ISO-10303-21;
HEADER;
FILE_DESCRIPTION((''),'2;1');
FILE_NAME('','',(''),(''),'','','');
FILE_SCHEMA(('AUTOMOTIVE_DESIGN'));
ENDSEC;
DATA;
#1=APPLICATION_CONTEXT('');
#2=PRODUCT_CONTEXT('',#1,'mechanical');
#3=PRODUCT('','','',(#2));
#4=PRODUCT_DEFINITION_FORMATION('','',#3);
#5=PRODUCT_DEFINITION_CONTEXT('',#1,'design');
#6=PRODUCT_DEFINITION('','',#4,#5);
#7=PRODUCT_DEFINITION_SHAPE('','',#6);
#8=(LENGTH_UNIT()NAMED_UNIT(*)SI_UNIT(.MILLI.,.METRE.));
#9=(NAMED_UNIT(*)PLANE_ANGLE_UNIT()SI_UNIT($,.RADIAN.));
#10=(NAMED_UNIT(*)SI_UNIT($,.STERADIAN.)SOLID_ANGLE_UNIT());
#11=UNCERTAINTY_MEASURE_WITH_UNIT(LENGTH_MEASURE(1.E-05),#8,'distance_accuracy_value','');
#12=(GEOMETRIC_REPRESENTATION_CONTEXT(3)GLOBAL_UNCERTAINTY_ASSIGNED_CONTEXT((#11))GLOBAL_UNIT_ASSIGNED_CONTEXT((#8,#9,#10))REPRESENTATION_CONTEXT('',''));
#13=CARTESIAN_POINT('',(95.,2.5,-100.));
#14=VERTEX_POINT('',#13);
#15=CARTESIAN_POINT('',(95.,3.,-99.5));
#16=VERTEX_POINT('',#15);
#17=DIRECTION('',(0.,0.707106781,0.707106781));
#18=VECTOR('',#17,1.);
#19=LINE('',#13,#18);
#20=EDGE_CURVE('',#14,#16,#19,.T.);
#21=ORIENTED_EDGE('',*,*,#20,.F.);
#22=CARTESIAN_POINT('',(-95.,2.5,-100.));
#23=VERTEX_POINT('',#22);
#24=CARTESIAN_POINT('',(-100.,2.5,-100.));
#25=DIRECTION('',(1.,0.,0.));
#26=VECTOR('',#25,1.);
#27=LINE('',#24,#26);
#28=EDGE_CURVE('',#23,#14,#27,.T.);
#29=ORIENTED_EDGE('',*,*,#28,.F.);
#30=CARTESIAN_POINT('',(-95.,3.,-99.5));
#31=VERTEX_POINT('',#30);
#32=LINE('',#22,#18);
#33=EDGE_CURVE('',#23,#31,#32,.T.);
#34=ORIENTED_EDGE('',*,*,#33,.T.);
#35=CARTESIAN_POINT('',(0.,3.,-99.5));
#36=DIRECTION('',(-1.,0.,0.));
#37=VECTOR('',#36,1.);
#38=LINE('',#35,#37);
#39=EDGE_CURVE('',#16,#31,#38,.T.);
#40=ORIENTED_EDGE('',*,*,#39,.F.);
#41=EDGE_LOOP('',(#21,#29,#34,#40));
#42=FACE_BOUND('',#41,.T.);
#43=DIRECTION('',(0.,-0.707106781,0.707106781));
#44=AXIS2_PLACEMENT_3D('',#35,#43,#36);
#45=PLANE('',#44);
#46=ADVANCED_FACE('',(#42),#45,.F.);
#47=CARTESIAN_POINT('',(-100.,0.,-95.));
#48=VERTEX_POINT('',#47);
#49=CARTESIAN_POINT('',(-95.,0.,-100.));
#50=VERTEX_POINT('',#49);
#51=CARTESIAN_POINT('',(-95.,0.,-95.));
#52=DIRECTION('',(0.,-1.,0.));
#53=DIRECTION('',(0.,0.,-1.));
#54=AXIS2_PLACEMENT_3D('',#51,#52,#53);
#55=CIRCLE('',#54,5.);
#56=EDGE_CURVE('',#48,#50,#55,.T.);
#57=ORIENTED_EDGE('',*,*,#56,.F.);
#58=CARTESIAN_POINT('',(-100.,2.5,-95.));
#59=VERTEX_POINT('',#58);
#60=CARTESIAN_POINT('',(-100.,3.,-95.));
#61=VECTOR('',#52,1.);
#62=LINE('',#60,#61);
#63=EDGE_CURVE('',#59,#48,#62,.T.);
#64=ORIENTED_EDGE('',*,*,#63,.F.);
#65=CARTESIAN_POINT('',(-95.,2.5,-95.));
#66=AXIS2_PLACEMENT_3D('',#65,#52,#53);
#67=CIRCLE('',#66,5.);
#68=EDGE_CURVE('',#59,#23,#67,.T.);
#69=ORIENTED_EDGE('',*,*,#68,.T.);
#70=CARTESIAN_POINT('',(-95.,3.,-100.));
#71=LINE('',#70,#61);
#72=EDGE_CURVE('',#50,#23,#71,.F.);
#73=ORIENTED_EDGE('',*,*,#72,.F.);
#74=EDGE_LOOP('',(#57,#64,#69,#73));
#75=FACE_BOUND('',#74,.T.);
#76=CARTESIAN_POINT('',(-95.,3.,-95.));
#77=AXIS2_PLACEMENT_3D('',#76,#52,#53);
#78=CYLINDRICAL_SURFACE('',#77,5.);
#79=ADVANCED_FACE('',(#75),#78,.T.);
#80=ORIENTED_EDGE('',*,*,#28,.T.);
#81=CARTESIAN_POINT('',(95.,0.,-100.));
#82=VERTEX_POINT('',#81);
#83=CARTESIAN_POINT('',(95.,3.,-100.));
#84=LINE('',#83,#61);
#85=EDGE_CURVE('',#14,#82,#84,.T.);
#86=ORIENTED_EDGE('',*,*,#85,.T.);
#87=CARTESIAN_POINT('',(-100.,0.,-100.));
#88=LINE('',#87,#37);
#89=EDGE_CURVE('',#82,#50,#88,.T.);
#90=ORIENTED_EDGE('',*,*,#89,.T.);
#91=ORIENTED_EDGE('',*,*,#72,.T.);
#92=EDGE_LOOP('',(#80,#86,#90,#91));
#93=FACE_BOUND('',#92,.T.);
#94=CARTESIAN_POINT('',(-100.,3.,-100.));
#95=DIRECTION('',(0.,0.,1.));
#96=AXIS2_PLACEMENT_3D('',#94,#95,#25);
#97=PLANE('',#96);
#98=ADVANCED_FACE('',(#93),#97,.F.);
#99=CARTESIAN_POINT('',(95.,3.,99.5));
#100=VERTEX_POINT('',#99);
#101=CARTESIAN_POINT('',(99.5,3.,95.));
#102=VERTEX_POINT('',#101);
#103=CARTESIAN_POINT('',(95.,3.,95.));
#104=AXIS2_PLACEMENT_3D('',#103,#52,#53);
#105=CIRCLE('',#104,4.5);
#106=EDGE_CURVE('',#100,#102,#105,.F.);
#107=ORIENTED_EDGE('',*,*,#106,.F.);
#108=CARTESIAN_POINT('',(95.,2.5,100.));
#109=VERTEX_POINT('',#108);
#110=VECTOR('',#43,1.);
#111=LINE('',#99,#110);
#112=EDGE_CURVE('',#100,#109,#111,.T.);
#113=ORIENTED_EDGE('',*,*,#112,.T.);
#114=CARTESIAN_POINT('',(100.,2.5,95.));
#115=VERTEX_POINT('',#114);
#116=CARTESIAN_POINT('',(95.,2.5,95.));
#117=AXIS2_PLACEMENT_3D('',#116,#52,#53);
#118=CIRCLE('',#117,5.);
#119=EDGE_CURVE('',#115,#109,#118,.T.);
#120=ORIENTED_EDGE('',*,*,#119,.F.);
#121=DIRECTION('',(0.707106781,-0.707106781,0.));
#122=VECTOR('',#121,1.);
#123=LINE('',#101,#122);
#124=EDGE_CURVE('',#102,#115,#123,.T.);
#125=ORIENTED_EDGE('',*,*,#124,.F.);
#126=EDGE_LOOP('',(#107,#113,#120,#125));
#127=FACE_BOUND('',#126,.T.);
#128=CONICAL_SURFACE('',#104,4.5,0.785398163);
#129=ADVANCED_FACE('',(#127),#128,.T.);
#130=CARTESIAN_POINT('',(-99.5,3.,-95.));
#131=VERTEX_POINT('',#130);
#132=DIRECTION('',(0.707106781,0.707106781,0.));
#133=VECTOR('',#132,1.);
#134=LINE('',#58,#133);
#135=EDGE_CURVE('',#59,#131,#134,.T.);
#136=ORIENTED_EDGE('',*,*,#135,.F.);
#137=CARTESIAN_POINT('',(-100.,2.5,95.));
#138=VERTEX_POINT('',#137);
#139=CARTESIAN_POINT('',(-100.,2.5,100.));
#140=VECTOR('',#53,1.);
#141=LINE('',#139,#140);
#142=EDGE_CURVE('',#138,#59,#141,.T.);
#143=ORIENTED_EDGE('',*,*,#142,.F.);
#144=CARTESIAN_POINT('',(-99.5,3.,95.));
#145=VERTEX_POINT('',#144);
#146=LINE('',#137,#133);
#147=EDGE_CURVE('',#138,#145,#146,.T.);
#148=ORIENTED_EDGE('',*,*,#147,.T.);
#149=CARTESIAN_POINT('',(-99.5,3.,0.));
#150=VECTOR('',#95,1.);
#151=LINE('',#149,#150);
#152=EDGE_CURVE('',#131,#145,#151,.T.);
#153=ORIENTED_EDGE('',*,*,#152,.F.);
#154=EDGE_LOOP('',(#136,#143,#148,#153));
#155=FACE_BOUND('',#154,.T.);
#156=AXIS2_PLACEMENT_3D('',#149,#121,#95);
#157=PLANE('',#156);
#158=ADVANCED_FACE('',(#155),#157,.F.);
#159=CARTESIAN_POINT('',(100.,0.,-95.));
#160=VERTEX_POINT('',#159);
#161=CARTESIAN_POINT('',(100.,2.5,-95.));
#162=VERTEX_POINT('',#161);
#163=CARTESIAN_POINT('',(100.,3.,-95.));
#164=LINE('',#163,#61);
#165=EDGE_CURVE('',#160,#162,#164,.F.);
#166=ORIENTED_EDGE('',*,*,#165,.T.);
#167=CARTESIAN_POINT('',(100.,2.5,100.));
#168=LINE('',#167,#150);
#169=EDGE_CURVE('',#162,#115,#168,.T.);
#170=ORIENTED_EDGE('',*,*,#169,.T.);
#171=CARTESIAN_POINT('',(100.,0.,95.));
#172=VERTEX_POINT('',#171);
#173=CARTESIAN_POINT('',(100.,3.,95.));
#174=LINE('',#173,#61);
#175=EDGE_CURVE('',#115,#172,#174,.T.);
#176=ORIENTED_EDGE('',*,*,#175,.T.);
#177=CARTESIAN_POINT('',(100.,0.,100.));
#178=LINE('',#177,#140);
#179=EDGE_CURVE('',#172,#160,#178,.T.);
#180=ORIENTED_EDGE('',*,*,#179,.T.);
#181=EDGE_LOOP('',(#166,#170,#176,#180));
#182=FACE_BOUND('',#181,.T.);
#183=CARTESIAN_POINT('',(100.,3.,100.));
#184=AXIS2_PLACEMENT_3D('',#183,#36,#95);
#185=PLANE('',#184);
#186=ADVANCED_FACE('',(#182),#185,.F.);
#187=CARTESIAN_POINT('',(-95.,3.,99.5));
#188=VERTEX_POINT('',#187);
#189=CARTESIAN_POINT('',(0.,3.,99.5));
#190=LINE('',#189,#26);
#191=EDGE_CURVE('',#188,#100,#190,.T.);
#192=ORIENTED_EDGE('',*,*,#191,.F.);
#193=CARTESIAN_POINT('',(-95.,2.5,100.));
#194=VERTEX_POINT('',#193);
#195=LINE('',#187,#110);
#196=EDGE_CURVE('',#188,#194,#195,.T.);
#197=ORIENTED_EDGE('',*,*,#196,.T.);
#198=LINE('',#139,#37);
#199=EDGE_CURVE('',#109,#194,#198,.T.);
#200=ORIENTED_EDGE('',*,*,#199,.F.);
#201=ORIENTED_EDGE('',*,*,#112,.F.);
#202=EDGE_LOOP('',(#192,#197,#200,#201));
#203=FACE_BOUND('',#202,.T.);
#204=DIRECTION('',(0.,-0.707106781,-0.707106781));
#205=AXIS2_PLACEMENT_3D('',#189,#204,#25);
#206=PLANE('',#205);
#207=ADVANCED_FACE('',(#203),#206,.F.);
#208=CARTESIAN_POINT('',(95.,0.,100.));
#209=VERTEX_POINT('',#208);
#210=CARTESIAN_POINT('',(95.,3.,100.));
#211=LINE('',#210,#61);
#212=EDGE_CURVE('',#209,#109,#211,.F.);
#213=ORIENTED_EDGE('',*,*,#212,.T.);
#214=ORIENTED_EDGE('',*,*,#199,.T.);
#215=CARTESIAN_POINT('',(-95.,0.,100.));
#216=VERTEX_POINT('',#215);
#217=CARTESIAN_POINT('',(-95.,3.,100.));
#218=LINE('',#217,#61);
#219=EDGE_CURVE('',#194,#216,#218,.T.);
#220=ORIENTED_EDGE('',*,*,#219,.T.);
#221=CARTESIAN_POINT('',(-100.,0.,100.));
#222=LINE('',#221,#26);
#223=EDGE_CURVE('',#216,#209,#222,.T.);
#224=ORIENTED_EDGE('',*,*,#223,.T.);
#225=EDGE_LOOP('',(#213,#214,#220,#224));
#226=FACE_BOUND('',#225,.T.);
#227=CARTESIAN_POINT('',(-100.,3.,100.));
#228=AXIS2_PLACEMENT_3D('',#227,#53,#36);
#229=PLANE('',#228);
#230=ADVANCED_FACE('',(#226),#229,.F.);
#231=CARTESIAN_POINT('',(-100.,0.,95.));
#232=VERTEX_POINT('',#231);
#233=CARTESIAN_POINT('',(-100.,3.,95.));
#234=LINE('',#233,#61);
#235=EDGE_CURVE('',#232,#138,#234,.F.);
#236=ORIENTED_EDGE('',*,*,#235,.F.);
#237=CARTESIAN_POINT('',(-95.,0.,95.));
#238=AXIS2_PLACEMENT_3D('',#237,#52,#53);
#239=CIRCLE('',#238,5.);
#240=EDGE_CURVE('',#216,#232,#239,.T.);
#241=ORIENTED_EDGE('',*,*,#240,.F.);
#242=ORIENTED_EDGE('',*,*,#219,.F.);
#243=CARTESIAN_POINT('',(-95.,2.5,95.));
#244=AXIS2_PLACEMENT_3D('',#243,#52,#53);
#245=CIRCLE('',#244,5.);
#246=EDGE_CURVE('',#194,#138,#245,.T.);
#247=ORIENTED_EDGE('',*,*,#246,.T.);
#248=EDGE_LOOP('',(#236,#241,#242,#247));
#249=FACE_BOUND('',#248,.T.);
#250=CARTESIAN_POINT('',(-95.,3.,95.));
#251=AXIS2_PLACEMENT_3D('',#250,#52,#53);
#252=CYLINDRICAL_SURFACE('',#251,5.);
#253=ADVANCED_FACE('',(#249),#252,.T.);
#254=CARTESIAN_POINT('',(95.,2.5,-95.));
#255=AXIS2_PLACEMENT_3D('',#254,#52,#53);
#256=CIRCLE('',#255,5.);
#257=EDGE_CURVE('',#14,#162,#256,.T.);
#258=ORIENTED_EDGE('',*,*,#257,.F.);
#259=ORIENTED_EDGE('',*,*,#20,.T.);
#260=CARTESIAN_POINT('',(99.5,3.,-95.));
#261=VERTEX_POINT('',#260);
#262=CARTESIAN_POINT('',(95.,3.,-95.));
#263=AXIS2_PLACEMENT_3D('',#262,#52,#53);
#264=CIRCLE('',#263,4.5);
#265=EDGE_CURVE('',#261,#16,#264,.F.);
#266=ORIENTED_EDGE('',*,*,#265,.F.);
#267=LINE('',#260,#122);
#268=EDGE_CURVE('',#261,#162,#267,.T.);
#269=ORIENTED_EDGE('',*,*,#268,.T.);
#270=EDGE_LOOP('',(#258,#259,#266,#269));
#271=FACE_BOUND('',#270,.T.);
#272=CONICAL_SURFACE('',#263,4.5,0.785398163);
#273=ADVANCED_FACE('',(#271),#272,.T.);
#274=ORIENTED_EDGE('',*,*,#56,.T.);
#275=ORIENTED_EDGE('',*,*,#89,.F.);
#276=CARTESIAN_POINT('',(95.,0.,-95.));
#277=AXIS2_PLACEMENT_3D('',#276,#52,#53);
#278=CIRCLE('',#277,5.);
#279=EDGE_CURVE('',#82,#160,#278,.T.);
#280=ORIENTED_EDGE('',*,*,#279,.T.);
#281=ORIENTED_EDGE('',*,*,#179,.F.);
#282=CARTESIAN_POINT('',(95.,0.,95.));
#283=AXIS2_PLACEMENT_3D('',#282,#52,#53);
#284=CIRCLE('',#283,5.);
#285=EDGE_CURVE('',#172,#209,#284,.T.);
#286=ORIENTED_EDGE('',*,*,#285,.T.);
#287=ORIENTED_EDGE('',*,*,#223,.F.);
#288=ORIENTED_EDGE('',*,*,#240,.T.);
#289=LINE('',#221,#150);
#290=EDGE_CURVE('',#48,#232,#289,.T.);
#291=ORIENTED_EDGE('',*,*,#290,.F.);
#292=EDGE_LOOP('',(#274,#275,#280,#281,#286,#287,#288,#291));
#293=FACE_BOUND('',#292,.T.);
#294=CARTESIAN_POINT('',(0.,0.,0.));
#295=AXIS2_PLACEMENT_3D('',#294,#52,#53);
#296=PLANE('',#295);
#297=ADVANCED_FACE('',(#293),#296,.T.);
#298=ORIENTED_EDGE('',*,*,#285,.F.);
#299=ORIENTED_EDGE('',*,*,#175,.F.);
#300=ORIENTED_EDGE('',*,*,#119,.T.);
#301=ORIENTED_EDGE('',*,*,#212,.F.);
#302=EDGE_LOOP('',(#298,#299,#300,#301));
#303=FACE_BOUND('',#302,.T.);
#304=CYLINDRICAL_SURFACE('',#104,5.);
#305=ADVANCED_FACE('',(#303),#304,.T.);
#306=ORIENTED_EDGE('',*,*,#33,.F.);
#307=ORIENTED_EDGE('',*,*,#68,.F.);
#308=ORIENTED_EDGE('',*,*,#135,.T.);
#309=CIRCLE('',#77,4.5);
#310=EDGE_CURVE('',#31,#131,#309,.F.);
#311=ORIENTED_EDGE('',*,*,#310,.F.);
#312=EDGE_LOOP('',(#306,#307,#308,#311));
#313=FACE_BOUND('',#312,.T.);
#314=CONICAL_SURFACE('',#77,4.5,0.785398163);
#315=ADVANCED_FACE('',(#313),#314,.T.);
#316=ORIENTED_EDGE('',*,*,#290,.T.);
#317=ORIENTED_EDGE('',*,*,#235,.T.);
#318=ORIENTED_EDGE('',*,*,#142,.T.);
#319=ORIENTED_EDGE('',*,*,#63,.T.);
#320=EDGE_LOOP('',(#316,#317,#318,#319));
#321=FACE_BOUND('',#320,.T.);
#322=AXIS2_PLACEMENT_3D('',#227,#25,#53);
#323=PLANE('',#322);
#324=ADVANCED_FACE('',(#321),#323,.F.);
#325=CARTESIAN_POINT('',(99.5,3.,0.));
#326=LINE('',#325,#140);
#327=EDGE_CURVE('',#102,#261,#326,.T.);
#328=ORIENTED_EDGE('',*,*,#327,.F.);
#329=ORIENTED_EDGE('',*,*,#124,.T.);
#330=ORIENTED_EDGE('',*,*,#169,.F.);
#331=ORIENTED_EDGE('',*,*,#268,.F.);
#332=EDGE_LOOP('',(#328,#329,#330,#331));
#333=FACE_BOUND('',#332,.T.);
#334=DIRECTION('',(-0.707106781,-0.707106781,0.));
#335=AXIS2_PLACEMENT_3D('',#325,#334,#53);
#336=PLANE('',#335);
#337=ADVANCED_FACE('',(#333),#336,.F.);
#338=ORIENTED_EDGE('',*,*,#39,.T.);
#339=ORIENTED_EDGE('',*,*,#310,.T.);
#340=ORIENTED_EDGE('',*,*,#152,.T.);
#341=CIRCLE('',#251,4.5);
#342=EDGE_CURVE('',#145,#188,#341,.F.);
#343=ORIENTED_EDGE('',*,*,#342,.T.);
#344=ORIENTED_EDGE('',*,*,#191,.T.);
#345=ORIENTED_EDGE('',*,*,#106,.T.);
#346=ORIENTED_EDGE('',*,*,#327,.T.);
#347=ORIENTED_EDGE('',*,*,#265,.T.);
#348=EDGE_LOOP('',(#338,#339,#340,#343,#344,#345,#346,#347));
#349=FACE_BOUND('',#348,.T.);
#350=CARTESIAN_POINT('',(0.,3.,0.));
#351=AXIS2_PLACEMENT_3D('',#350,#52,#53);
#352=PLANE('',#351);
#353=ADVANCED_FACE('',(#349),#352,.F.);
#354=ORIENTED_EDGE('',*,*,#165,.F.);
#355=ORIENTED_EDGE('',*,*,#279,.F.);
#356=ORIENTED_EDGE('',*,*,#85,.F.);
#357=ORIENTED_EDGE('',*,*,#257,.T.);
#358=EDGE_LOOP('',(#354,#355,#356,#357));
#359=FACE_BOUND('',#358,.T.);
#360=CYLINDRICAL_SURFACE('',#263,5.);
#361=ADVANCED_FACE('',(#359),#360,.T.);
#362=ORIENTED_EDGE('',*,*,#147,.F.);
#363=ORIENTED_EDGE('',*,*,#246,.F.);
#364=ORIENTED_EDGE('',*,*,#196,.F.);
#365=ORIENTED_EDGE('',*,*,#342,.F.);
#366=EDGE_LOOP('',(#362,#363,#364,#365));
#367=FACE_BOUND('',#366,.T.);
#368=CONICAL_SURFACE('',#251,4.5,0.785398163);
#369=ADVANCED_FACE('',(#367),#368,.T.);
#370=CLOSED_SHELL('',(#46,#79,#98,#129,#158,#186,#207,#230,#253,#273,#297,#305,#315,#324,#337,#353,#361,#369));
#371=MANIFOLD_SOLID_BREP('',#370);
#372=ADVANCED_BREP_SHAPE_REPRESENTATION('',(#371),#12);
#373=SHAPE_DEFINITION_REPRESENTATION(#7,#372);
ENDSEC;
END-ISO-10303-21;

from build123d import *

# Parameters (mm, degrees)
CROQUIS1_W              = 200
CROQUIS1_H              = 200
SALIENTE_EXTRUIR1_DEPTH = 3
REDONDEO1_R             = 5
CHAFL_N1_SIZE           = 0.5


with BuildPart() as part:
    # Croquis1 → Saliente-Extruir1 (new body)
    with BuildSketch(Plane(origin=(0, 0, 0), x_dir=(1, 0, 0), z_dir=(0, 1, 0))):
        Rectangle(CROQUIS1_W, CROQUIS1_H)
    extrude(amount=SALIENTE_EXTRUIR1_DEPTH)

    # Redondeo1
    redondeo1_edges = [part.edges().sort_by_distance(p)[0] for p in [
        (100, 1.5, 100),
        (-100, 1.5, 100),
        (-100, 1.5, -100),
        (100, 1.5, -100),
    ]]
    fillet(redondeo1_edges, radius=REDONDEO1_R)

    # Chaflán1
    chafl_n1_edges = [part.edges().sort_by_distance(p)[0] for p in [
        (-100, 3, 0),
        (0, 3, -100),
        (100, 3, 0),
        (0, 3, 100),
        (-98.535533906, 3, 98.535533906),
        (98.535533906, 3, 98.535533906),
        (98.535533906, 3, -98.535533906),
        (-98.535533906, 3, -98.535533906),
    ]]
    chamfer(chafl_n1_edges, length=CHAFL_N1_SIZE)


solid = part.part
